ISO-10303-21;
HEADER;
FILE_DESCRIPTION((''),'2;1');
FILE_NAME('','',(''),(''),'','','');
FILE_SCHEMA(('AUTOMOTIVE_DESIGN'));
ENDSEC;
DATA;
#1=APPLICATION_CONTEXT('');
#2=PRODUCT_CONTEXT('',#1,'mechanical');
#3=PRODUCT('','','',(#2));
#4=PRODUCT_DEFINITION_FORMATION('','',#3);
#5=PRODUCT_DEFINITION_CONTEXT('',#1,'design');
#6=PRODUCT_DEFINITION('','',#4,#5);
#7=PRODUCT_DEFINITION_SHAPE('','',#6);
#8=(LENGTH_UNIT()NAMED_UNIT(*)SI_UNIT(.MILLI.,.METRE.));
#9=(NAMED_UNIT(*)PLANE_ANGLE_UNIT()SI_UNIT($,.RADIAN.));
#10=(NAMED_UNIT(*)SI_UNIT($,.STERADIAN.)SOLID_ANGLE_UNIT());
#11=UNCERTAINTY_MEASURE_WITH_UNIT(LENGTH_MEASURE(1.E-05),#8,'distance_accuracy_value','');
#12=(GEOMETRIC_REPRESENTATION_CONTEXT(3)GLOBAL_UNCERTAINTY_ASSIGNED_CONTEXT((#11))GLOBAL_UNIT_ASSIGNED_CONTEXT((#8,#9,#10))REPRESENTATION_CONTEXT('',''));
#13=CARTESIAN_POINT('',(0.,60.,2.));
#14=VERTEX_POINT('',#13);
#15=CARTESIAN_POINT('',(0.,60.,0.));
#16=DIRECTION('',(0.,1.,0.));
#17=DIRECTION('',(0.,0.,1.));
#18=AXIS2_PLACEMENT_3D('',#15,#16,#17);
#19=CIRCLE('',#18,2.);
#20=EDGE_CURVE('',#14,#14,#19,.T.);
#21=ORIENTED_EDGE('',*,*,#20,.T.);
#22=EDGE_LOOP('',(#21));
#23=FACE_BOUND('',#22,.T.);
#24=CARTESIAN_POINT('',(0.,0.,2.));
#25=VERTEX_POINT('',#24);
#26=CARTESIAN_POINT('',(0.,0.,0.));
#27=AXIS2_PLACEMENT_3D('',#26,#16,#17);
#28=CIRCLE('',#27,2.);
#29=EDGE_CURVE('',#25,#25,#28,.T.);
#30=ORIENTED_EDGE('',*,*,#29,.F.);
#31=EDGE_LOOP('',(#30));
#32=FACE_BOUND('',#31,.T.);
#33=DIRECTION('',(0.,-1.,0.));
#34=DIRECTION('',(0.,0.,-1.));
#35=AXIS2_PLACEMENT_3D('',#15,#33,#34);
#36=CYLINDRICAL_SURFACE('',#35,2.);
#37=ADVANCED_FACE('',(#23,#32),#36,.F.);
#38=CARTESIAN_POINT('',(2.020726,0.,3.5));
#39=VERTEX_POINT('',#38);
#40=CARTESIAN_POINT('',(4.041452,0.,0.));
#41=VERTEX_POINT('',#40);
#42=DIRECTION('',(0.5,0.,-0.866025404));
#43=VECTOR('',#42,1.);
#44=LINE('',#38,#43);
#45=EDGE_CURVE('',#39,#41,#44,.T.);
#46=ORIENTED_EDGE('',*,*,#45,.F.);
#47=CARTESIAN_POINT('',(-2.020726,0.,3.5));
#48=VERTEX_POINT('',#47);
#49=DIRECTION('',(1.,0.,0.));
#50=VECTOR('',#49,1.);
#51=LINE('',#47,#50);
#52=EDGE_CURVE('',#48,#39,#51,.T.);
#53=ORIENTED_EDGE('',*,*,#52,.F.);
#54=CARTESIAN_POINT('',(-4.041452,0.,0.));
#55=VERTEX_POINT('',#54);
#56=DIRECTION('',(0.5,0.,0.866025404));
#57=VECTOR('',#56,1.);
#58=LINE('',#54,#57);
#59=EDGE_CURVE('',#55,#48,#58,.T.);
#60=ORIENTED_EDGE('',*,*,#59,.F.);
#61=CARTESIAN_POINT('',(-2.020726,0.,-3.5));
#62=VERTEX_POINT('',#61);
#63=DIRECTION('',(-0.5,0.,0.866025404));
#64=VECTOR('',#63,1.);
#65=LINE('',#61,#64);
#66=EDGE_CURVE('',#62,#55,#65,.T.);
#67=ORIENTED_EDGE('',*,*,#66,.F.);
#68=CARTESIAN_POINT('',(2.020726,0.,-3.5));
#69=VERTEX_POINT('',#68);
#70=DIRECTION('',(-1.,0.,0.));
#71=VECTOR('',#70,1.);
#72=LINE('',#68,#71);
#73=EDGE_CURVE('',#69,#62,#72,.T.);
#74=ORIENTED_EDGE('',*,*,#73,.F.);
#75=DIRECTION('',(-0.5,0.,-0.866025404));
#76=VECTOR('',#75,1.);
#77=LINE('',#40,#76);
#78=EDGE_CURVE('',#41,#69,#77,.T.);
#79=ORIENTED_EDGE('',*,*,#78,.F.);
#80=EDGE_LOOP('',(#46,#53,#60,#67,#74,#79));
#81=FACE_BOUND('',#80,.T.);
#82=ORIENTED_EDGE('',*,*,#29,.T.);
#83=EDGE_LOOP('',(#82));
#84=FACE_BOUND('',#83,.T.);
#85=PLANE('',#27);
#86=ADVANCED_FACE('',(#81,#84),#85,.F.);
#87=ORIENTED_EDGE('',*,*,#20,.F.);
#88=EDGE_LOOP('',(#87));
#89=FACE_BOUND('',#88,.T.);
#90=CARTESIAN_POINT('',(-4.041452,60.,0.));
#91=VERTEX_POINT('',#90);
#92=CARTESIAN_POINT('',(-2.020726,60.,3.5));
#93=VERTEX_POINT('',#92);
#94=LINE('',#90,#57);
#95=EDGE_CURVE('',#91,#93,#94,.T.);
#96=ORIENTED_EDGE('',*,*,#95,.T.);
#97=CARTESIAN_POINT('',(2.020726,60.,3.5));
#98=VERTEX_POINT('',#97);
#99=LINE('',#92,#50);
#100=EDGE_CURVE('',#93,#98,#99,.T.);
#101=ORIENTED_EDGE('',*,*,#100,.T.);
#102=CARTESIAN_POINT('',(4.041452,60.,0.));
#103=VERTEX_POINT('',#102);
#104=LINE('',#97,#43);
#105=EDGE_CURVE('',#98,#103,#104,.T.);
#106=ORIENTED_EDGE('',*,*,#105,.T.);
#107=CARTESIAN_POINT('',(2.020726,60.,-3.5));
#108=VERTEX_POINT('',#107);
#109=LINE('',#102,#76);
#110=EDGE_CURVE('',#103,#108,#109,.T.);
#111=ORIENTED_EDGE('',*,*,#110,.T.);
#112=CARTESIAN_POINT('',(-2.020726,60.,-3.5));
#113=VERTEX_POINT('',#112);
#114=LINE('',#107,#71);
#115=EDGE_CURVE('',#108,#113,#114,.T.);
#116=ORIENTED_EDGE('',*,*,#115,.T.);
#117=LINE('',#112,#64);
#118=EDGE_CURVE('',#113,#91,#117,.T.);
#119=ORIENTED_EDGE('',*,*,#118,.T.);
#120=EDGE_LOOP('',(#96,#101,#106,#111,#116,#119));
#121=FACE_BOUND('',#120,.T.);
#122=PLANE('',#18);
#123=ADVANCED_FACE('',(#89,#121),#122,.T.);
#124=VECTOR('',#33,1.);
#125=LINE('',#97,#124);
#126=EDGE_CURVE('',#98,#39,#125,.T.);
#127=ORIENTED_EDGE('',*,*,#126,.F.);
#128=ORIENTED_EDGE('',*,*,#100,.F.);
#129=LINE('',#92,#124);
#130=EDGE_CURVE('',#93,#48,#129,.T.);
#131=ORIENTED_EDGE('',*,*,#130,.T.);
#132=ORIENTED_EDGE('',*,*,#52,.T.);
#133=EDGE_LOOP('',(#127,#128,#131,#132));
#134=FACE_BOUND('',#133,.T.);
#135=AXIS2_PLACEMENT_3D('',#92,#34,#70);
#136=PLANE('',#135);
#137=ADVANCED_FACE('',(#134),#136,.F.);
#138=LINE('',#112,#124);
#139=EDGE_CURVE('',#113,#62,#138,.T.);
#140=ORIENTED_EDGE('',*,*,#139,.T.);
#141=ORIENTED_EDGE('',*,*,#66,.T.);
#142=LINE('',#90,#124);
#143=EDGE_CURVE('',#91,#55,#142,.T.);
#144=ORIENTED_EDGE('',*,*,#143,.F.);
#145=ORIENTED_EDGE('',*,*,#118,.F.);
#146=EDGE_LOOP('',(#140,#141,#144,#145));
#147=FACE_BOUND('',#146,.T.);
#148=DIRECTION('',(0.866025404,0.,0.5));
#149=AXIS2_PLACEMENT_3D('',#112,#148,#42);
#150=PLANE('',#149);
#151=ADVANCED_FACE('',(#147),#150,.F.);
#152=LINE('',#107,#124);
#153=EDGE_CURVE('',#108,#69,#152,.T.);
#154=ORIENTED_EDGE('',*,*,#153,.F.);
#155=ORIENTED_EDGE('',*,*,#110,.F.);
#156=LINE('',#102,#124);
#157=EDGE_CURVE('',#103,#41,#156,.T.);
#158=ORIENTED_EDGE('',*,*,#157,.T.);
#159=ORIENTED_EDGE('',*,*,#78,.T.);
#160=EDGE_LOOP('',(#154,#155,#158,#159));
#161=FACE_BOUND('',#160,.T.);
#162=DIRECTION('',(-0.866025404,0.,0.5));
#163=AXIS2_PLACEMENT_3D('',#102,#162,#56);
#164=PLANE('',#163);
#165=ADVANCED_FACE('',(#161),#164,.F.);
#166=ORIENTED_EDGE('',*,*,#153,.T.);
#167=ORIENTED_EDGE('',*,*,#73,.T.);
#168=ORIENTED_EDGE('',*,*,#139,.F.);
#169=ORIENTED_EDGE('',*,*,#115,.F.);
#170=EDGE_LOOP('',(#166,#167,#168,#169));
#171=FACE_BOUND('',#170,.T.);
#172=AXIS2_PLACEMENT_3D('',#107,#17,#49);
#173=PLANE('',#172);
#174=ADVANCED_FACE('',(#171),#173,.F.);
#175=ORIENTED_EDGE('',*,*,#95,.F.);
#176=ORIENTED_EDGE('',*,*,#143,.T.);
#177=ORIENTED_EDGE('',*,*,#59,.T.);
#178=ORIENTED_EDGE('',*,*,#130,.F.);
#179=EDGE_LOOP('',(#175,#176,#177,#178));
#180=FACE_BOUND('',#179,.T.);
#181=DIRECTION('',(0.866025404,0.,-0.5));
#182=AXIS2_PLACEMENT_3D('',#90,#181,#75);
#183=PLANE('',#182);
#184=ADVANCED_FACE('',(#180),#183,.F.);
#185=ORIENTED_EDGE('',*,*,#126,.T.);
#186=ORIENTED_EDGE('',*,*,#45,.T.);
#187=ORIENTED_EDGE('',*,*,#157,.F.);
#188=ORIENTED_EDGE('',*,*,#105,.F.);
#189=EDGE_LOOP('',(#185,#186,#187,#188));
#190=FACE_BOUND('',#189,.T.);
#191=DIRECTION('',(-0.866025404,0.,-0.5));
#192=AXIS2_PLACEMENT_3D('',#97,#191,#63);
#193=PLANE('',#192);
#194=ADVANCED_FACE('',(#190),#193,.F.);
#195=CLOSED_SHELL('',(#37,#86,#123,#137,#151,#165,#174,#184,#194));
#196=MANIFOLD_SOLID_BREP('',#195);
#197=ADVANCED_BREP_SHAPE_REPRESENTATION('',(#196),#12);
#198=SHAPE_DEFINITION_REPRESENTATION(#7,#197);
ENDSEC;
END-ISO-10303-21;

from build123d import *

# Parameters (mm, degrees)
SKETCH_1_R      = 2
EXTRUDE_1_DEPTH = 60


with BuildPart() as part:
    # 草图1 → 凸台-拉伸1 (new body)
    with BuildSketch(Plane(origin=(0, 0, 0), x_dir=(1, 0, 0), z_dir=(0, 1, 0))):
        Polygon((4.041451884, 0), (2.020725942, 3.5), (-2.020725942, 3.5), (-4.041451884, 0), (-2.020725942, -3.5), (2.020725942, -3.5), align=None)
        with Locations(Location((0, 0, 0), (0, 0, 270))):
            Circle(SKETCH_1_R, mode=Mode.SUBTRACT)
    extrude(amount=EXTRUDE_1_DEPTH)


solid = part.part
